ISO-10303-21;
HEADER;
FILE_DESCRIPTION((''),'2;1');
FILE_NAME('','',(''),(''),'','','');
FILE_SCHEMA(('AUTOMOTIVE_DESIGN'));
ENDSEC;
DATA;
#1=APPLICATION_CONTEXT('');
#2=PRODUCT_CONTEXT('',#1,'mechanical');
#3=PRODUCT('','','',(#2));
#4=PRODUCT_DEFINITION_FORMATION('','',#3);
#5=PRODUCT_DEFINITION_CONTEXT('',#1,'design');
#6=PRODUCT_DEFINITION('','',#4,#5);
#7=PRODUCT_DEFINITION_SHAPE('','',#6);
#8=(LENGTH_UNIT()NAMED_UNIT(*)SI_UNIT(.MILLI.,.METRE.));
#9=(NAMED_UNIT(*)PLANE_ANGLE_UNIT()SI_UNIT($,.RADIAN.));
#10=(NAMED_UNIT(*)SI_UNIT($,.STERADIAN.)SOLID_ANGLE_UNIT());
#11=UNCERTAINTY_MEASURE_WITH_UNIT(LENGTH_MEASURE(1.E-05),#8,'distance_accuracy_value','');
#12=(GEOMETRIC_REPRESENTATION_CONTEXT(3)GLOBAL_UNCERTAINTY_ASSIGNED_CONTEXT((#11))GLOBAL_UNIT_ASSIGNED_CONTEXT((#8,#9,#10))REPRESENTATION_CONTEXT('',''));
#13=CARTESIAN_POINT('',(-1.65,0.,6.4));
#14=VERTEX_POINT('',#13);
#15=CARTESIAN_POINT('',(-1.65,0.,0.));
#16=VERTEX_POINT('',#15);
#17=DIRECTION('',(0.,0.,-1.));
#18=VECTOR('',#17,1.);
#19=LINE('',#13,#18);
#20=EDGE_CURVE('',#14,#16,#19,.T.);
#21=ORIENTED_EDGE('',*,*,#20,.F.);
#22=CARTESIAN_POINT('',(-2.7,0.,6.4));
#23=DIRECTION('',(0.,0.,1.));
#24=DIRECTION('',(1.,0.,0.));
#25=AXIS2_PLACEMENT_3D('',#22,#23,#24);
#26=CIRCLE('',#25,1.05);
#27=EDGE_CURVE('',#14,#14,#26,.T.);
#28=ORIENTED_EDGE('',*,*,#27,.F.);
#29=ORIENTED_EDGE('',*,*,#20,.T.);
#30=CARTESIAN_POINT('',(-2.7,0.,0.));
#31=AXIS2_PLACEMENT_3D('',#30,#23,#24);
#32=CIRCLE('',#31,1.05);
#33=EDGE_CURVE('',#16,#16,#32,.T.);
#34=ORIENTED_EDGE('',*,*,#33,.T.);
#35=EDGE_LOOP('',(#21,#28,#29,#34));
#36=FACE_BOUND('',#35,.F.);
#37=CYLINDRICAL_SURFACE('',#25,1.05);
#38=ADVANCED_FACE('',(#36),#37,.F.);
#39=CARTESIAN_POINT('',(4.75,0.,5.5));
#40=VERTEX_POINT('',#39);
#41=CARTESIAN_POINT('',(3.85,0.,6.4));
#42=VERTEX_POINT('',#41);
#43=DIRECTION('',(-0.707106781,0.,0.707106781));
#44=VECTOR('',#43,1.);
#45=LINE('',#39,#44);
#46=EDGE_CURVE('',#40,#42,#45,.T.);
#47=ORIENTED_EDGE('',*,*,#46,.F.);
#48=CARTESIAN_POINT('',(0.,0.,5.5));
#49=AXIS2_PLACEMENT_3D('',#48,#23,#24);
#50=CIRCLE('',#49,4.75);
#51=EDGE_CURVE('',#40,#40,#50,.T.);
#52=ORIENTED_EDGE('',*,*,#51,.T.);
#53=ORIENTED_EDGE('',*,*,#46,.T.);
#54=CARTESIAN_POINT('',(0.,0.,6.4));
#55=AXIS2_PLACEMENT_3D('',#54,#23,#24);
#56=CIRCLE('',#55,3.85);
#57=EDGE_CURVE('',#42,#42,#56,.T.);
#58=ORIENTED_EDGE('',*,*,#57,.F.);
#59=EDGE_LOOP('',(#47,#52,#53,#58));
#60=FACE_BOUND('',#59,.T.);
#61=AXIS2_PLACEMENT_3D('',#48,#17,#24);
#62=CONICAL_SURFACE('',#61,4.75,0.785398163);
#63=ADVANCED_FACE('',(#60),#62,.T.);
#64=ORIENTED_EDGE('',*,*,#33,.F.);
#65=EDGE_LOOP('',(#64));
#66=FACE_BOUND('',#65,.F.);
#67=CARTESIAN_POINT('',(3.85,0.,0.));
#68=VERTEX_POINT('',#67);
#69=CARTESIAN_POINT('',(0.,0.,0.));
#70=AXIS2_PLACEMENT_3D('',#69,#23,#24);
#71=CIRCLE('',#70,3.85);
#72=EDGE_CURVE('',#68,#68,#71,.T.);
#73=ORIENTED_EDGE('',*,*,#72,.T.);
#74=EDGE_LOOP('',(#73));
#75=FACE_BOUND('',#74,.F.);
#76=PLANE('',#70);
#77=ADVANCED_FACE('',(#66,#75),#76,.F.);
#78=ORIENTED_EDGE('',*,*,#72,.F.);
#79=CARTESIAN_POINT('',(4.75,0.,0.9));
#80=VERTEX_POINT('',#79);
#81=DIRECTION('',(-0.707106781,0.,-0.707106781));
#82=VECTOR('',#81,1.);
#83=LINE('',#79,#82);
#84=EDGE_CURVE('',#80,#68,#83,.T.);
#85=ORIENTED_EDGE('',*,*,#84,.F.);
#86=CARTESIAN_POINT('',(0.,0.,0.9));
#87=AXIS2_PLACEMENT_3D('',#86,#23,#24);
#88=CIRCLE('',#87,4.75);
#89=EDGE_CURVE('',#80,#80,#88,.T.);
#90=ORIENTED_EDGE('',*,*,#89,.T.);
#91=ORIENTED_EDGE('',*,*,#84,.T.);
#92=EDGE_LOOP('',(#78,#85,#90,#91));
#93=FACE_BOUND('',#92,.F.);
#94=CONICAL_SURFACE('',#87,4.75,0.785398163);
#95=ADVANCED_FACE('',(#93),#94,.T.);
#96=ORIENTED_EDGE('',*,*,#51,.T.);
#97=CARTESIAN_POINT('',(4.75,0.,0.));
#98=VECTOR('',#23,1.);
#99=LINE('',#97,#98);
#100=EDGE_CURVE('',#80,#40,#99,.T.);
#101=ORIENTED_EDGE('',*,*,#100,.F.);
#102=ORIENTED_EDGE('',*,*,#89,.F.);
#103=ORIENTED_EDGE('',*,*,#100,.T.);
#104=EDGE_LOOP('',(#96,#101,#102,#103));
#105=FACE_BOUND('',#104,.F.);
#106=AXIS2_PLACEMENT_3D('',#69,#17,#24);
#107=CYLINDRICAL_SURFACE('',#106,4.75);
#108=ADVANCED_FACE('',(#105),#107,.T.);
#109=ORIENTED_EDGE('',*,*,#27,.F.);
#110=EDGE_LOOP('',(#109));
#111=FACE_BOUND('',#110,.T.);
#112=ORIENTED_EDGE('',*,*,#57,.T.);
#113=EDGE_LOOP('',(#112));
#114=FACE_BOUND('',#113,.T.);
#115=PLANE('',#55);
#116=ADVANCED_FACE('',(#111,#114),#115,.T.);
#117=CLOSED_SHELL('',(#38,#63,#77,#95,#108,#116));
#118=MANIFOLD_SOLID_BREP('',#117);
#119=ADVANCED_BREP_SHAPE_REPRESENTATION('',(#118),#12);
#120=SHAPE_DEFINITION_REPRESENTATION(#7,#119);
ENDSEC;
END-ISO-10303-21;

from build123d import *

# Parameters (mm, degrees)
F0_R     = 4.75
F1_DEPTH = 6.4
F2_R     = 1.05
F3_DEPTH = 6.401
F4_SIZE  = 0.9


with BuildPart() as f1:
    # F0 (on Top) → F1 (new body)
    with BuildSketch(Plane.XY):
        Circle(F0_R)
    extrude(amount=F1_DEPTH)

    # F2 (on face) → F3 (cut, through all)
    with BuildSketch(Plane.XY.offset(6.4)):
        with Locations((-2.7, 0)):
            Circle(F2_R)
    extrude(amount=-F3_DEPTH, mode=Mode.SUBTRACT)

    # F4
    f4_edges = [f1.edges().sort_by_distance(p)[0] for p in [
        (-4.75, 0, 6.4),
        (-4.75, 0, 0),
    ]]
    chamfer(f4_edges, length=F4_SIZE)


solid = f1.part
